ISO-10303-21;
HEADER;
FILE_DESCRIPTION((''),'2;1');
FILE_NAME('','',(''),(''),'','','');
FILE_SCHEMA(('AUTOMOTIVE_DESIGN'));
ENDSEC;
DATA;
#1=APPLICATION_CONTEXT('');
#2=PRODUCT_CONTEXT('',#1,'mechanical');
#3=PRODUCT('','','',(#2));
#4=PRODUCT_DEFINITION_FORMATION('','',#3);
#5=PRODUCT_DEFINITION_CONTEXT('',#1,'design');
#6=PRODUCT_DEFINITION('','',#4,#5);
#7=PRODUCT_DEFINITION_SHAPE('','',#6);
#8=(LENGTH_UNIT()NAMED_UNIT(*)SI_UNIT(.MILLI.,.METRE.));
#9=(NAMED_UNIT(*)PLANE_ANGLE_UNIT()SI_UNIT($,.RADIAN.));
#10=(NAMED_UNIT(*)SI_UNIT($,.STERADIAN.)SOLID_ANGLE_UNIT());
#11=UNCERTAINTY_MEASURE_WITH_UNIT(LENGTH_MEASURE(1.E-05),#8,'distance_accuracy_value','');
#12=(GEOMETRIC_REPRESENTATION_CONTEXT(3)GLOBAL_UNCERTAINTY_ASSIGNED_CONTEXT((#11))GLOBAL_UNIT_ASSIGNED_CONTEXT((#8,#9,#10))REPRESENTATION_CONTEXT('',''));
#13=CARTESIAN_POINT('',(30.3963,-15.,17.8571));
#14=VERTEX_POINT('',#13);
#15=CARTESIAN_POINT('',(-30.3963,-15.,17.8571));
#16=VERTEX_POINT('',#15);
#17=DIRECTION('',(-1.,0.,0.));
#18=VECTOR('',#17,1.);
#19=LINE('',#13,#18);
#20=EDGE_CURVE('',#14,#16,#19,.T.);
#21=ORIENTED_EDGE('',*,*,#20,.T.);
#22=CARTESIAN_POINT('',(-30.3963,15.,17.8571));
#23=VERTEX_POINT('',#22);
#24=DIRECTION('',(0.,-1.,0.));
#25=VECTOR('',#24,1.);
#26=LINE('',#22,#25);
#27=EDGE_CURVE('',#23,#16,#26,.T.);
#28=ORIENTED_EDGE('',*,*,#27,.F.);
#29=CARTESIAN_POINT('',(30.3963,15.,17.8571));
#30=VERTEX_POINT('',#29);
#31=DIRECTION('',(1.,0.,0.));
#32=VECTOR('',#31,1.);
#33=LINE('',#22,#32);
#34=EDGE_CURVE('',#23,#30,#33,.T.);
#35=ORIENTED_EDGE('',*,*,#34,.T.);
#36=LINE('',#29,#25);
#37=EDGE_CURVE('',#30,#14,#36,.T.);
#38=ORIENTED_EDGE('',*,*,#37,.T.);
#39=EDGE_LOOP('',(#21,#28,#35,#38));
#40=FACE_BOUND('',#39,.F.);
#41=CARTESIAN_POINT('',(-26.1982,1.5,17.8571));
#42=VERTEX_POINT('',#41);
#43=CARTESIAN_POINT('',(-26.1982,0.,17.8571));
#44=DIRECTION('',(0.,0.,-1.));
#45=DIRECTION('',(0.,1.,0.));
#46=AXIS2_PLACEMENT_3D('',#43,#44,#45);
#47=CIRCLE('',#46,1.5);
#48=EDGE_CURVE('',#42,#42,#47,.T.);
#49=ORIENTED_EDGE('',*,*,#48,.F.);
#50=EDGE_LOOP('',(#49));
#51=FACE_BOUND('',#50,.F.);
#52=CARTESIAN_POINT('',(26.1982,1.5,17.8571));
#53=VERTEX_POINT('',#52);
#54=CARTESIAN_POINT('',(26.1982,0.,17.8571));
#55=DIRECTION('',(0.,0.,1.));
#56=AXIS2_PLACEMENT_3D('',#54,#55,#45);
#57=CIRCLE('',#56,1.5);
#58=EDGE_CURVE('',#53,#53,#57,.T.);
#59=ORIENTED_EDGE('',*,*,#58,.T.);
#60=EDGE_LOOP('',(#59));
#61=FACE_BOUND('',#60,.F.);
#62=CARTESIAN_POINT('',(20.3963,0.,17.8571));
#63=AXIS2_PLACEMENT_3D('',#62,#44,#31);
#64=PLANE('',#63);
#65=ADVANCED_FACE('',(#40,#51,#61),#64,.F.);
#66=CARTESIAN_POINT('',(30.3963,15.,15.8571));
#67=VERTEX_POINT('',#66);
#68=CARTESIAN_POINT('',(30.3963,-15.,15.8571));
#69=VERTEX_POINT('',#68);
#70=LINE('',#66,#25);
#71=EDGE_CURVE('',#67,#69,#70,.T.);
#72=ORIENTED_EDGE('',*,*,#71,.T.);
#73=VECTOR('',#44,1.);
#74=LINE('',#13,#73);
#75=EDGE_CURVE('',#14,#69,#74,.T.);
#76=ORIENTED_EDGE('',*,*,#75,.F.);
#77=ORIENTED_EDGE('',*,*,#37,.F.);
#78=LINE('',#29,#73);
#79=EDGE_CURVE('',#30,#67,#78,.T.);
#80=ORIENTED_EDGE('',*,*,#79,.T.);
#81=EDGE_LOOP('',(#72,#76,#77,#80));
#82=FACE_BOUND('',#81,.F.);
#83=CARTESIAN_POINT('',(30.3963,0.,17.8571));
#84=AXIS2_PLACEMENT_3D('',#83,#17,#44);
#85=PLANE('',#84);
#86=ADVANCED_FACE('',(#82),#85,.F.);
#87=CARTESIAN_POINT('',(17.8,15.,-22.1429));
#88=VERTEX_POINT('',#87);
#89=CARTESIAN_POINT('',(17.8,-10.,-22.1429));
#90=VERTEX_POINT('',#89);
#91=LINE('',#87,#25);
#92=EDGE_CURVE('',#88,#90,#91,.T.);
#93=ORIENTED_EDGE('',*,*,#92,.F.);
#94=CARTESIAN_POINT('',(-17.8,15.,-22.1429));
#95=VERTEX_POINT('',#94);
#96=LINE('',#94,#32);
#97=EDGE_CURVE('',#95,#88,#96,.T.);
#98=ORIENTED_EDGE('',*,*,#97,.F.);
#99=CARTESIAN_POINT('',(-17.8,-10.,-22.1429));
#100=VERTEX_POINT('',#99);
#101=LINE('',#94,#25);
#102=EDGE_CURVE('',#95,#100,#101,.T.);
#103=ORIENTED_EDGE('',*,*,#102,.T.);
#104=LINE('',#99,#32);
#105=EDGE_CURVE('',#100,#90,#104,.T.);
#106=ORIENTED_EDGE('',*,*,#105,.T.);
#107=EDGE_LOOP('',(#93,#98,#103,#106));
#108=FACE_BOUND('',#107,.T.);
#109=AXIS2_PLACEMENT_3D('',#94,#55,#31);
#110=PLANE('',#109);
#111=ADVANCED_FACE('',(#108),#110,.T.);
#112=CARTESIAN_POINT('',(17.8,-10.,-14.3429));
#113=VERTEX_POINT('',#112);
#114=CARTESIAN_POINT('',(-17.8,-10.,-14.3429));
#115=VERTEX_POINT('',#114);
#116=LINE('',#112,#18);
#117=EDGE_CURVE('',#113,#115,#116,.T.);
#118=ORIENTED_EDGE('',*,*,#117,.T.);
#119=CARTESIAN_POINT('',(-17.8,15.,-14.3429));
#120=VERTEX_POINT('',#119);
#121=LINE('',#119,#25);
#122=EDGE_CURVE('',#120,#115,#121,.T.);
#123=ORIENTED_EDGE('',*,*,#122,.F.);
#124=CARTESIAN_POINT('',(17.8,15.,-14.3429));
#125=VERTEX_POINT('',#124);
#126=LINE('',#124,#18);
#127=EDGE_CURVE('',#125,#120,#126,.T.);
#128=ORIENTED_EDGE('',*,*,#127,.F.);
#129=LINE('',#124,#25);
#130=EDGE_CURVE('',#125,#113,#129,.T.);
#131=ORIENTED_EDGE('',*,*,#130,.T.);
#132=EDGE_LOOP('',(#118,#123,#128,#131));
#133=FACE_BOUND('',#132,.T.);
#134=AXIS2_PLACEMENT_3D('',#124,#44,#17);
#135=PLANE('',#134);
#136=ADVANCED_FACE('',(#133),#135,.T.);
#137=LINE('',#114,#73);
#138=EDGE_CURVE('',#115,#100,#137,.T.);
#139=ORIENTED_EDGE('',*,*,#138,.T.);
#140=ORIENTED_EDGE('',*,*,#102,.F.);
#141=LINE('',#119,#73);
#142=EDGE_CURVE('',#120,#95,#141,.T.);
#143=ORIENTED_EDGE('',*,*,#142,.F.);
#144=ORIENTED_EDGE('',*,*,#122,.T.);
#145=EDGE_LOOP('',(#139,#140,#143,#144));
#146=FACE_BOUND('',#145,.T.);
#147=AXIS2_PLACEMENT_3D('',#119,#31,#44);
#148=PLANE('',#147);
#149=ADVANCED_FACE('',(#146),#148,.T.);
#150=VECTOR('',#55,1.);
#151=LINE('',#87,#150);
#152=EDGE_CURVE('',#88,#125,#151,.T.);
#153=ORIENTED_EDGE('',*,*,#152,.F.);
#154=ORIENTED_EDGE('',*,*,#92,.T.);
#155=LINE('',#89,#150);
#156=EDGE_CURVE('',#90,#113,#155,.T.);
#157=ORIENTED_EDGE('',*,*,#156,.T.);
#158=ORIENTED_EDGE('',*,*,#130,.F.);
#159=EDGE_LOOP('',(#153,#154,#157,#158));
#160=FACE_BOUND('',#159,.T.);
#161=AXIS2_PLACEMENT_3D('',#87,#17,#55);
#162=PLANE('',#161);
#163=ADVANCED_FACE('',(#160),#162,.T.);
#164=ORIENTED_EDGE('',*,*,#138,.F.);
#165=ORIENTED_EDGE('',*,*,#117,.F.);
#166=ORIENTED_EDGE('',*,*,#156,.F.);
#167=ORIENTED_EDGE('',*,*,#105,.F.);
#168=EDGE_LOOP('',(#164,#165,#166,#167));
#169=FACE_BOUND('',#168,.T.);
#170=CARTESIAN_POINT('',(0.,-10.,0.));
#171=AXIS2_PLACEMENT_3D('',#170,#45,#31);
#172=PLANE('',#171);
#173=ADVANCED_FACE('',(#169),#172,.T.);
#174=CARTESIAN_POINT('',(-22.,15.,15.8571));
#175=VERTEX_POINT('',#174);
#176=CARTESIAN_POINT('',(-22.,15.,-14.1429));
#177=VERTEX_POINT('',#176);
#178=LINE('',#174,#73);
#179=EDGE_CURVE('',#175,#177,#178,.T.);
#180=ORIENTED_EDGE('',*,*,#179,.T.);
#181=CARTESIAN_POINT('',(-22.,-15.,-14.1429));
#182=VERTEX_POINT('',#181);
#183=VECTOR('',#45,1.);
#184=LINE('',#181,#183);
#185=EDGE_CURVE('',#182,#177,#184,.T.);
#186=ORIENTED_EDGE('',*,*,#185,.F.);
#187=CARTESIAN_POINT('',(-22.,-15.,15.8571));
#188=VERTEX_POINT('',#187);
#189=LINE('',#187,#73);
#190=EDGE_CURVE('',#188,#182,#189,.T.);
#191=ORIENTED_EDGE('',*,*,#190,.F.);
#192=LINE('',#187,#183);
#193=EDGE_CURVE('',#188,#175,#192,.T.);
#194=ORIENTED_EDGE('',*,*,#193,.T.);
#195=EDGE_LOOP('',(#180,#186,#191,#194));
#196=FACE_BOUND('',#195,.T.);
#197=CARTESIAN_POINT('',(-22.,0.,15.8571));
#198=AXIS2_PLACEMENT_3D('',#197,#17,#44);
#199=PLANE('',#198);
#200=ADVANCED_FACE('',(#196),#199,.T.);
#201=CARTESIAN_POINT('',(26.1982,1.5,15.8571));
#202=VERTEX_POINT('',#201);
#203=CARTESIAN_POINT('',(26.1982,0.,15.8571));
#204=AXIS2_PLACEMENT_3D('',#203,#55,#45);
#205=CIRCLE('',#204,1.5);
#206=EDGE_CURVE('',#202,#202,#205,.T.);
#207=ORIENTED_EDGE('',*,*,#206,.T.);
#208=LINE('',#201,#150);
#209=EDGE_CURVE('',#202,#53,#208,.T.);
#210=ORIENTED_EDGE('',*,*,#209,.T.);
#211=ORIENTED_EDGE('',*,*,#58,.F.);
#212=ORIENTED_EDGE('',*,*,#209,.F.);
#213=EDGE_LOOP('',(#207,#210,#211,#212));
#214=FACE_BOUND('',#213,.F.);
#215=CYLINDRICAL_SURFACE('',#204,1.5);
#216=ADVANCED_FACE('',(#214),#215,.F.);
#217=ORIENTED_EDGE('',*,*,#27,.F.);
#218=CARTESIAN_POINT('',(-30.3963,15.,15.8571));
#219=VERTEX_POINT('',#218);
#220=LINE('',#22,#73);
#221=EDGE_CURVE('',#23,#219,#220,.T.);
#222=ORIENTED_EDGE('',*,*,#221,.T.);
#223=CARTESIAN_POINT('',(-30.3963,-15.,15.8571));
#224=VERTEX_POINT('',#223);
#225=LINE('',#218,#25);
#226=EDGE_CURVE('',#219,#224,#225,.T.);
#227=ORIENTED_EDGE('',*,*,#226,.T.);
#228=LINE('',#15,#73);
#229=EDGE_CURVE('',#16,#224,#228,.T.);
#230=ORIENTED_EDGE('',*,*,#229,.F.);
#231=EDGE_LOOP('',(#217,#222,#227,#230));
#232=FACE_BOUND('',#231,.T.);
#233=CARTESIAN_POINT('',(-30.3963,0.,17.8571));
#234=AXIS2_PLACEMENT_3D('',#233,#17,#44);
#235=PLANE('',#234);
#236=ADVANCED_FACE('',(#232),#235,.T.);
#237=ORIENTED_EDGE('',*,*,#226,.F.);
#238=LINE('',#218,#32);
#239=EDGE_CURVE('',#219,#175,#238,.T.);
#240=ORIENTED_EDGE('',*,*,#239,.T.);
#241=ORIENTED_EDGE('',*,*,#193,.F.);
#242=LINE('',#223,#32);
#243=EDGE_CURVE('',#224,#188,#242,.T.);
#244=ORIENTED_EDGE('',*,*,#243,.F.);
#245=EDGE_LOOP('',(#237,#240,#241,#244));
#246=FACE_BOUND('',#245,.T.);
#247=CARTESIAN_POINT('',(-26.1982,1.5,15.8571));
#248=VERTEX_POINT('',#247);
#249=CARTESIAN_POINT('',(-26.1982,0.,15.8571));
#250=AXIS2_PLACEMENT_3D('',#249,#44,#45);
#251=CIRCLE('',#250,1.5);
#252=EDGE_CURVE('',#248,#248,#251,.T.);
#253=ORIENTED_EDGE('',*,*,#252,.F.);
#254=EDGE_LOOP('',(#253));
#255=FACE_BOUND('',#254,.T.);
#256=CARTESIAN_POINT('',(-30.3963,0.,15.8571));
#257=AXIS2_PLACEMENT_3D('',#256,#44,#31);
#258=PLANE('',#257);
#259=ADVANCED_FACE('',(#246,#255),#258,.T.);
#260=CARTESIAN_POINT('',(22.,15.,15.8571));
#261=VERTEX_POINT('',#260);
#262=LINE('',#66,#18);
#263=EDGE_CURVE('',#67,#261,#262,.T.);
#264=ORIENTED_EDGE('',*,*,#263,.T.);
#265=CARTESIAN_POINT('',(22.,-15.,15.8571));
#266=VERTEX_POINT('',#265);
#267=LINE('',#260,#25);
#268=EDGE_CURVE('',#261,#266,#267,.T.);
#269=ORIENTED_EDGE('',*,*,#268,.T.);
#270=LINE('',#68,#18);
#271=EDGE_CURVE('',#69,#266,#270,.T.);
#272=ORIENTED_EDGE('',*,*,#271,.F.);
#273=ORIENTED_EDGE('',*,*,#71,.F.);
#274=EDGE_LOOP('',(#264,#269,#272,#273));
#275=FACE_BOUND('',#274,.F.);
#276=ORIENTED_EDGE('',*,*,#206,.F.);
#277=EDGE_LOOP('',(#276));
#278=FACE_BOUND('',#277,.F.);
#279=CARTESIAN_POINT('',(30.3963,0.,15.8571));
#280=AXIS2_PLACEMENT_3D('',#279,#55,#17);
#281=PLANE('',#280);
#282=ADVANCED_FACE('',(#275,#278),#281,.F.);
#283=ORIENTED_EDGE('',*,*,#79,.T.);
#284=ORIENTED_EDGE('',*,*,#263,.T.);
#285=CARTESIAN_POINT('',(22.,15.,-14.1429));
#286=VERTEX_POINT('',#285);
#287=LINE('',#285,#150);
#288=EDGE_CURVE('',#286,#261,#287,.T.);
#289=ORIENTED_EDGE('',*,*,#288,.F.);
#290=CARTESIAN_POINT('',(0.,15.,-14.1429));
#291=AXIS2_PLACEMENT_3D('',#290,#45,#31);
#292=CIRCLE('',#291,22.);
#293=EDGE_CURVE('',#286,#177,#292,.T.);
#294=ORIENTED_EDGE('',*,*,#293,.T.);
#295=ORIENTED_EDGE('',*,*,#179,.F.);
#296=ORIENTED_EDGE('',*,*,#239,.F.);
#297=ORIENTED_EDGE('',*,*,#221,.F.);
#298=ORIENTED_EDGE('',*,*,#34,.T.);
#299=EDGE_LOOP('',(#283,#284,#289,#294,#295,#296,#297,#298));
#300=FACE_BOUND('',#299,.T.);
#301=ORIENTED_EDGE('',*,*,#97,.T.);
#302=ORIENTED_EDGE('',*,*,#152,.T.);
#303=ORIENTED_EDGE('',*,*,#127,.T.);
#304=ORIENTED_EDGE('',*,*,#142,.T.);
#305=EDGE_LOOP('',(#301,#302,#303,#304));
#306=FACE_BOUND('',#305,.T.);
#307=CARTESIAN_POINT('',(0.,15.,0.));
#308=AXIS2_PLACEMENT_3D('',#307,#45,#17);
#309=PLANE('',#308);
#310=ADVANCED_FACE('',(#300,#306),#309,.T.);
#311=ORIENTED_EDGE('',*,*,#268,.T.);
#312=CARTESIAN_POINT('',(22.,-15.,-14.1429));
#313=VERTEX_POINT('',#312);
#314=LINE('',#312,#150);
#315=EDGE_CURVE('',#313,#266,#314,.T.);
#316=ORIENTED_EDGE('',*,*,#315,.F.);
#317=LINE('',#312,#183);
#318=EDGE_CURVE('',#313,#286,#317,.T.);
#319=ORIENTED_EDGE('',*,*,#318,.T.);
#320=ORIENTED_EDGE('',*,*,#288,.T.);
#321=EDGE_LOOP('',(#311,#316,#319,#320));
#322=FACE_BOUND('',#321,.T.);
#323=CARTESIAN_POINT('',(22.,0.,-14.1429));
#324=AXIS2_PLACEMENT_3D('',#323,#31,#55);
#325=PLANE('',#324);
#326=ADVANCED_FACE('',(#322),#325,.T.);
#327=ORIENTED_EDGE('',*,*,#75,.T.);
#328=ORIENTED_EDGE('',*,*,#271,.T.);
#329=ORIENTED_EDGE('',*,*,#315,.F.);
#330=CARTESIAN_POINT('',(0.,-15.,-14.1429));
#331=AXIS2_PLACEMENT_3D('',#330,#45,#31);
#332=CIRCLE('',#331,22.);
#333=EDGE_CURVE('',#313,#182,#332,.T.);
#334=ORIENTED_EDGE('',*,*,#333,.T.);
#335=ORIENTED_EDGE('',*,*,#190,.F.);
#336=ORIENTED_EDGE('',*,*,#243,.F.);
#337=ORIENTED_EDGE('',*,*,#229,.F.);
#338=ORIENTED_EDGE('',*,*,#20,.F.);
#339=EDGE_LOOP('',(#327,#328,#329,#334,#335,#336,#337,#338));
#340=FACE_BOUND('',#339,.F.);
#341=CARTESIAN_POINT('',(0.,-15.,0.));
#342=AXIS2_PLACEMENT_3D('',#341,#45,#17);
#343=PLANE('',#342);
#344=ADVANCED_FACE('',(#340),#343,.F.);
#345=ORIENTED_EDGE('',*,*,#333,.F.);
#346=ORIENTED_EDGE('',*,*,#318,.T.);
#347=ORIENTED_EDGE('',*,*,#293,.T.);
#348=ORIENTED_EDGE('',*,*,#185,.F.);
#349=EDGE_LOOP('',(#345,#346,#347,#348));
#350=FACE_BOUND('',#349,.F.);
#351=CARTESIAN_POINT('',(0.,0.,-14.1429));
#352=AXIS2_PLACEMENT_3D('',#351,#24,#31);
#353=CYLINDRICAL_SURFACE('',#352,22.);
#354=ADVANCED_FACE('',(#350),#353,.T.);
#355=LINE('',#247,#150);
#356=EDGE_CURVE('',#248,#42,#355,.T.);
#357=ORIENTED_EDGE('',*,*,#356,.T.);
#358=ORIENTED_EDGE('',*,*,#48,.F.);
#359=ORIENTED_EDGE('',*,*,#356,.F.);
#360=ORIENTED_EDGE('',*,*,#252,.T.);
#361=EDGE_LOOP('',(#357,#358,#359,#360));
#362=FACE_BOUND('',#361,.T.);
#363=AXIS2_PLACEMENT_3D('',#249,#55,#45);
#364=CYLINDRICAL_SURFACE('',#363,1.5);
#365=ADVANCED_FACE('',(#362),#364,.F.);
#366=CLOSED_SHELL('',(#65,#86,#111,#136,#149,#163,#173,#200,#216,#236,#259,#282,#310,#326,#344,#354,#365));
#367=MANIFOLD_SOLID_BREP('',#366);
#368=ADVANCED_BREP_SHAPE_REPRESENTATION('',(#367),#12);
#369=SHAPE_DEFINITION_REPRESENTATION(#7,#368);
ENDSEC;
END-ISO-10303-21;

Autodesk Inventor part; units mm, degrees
ref_plane "YZ Plane" through (0, 0, 0) normal (1, 0, 0) x (0, 1, 0)
ref_plane "XZ Plane" through (0, 0, 0) normal (0, 1, 0) x (-1, 0, 0)
ref_plane "XY Plane" through (0, 0, 0) normal (0, 0, 1) x (1, 0, 0)
sketch "Sketch1" plane through (0, 0, 0) normal (0, 1, 0) x (-1, 0, 0)
  line L0 (-22, -14.1429) -> (-22, 15.8571)
  line L1 (-20.3963, 17.8571) -> (20.3963, 17.8571)
  line L2 (22, 15.8571) -> (22, -14.1429)
  arc A0 (-22, -14.1429) -> (22, -14.1429) centre (0, -14.1429) ccw
  line L3 (20.3963, 17.8571) -> (30.3963, 17.8571)
  line L4 (30.3963, 17.8571) -> (30.3963, 15.8571)
  line L5 (30.3963, 15.8571) -> (22, 15.8571)
  line L6 (-20.3963, 17.8571) -> (-30.3963, 17.8571)
  line L7 (-30.3963, 17.8571) -> (-30.3963, 15.8571)
  line L8 (-30.3963, 15.8571) -> (-22, 15.8571)
  point P0 (0, 0)
  point P1 (0, 17.8571)
  point P2 (22, 0)
  dimension "d1" = 2
  dimension "d2" = 2
  dimension "d3" = 10
  dimension "d4" = 10
  dimension "d5" = 30
  dimension "d6" = 22
extrude "Extrusion1" add sketch "Sketch1" along normal mid plane 30
sketch "Sketch2" plane through (0, 15, 0) normal (0, 1, 0) x (1, 0, 0)
  arc A0 (22, 14.1429) -> (-22, 14.1429) centre (0, 14.1429) ccw projected
  line L0 (-17.8, 22.1429) -> (17.8, 22.1429)
  line L1 (17.8, 22.1429) -> (17.8, 14.3429)
  line L2 (17.8, 14.3429) -> (-17.8, 14.3429)
  line L3 (-17.8, 14.3429) -> (-17.8, 22.1429)
  line L4 (-30.3963, -17.8571) -> (30.3963, -17.8571) projected
  point P0 (0, 0)
  point P1 (0, 36.1429)
  point P2 (0, 22.1429)
  dimension "d33" = 40
  dimension "d34" = 35.6
  dimension "d35" = 7.8
extrude "Extrusion2" cut sketch "Sketch2" against normal blind 25
sketch "Sketch3" plane through (30.3963, 15, 15.8571) normal (0, 0, -1) x (-1, 0, 0)
  line L0 (0, -30) -> (0, 0) projected
  line L1 (0, 0) -> (8.3963, 0) projected
  point P0 (30.3963, -15)
  point P1 (4.1982, -15)
  point P2 (0, -15)
  point P3 (4.1982, 0)
hole "Hole1" at (26.1982, 0, 15.8571) direction (0, 0, 1) diameter 3 depth 2
mirror "Mirror1" about plane through (0, 0, 0) normal (1, 0, 0) of "Hole1"
properties part number "Part_B7"
